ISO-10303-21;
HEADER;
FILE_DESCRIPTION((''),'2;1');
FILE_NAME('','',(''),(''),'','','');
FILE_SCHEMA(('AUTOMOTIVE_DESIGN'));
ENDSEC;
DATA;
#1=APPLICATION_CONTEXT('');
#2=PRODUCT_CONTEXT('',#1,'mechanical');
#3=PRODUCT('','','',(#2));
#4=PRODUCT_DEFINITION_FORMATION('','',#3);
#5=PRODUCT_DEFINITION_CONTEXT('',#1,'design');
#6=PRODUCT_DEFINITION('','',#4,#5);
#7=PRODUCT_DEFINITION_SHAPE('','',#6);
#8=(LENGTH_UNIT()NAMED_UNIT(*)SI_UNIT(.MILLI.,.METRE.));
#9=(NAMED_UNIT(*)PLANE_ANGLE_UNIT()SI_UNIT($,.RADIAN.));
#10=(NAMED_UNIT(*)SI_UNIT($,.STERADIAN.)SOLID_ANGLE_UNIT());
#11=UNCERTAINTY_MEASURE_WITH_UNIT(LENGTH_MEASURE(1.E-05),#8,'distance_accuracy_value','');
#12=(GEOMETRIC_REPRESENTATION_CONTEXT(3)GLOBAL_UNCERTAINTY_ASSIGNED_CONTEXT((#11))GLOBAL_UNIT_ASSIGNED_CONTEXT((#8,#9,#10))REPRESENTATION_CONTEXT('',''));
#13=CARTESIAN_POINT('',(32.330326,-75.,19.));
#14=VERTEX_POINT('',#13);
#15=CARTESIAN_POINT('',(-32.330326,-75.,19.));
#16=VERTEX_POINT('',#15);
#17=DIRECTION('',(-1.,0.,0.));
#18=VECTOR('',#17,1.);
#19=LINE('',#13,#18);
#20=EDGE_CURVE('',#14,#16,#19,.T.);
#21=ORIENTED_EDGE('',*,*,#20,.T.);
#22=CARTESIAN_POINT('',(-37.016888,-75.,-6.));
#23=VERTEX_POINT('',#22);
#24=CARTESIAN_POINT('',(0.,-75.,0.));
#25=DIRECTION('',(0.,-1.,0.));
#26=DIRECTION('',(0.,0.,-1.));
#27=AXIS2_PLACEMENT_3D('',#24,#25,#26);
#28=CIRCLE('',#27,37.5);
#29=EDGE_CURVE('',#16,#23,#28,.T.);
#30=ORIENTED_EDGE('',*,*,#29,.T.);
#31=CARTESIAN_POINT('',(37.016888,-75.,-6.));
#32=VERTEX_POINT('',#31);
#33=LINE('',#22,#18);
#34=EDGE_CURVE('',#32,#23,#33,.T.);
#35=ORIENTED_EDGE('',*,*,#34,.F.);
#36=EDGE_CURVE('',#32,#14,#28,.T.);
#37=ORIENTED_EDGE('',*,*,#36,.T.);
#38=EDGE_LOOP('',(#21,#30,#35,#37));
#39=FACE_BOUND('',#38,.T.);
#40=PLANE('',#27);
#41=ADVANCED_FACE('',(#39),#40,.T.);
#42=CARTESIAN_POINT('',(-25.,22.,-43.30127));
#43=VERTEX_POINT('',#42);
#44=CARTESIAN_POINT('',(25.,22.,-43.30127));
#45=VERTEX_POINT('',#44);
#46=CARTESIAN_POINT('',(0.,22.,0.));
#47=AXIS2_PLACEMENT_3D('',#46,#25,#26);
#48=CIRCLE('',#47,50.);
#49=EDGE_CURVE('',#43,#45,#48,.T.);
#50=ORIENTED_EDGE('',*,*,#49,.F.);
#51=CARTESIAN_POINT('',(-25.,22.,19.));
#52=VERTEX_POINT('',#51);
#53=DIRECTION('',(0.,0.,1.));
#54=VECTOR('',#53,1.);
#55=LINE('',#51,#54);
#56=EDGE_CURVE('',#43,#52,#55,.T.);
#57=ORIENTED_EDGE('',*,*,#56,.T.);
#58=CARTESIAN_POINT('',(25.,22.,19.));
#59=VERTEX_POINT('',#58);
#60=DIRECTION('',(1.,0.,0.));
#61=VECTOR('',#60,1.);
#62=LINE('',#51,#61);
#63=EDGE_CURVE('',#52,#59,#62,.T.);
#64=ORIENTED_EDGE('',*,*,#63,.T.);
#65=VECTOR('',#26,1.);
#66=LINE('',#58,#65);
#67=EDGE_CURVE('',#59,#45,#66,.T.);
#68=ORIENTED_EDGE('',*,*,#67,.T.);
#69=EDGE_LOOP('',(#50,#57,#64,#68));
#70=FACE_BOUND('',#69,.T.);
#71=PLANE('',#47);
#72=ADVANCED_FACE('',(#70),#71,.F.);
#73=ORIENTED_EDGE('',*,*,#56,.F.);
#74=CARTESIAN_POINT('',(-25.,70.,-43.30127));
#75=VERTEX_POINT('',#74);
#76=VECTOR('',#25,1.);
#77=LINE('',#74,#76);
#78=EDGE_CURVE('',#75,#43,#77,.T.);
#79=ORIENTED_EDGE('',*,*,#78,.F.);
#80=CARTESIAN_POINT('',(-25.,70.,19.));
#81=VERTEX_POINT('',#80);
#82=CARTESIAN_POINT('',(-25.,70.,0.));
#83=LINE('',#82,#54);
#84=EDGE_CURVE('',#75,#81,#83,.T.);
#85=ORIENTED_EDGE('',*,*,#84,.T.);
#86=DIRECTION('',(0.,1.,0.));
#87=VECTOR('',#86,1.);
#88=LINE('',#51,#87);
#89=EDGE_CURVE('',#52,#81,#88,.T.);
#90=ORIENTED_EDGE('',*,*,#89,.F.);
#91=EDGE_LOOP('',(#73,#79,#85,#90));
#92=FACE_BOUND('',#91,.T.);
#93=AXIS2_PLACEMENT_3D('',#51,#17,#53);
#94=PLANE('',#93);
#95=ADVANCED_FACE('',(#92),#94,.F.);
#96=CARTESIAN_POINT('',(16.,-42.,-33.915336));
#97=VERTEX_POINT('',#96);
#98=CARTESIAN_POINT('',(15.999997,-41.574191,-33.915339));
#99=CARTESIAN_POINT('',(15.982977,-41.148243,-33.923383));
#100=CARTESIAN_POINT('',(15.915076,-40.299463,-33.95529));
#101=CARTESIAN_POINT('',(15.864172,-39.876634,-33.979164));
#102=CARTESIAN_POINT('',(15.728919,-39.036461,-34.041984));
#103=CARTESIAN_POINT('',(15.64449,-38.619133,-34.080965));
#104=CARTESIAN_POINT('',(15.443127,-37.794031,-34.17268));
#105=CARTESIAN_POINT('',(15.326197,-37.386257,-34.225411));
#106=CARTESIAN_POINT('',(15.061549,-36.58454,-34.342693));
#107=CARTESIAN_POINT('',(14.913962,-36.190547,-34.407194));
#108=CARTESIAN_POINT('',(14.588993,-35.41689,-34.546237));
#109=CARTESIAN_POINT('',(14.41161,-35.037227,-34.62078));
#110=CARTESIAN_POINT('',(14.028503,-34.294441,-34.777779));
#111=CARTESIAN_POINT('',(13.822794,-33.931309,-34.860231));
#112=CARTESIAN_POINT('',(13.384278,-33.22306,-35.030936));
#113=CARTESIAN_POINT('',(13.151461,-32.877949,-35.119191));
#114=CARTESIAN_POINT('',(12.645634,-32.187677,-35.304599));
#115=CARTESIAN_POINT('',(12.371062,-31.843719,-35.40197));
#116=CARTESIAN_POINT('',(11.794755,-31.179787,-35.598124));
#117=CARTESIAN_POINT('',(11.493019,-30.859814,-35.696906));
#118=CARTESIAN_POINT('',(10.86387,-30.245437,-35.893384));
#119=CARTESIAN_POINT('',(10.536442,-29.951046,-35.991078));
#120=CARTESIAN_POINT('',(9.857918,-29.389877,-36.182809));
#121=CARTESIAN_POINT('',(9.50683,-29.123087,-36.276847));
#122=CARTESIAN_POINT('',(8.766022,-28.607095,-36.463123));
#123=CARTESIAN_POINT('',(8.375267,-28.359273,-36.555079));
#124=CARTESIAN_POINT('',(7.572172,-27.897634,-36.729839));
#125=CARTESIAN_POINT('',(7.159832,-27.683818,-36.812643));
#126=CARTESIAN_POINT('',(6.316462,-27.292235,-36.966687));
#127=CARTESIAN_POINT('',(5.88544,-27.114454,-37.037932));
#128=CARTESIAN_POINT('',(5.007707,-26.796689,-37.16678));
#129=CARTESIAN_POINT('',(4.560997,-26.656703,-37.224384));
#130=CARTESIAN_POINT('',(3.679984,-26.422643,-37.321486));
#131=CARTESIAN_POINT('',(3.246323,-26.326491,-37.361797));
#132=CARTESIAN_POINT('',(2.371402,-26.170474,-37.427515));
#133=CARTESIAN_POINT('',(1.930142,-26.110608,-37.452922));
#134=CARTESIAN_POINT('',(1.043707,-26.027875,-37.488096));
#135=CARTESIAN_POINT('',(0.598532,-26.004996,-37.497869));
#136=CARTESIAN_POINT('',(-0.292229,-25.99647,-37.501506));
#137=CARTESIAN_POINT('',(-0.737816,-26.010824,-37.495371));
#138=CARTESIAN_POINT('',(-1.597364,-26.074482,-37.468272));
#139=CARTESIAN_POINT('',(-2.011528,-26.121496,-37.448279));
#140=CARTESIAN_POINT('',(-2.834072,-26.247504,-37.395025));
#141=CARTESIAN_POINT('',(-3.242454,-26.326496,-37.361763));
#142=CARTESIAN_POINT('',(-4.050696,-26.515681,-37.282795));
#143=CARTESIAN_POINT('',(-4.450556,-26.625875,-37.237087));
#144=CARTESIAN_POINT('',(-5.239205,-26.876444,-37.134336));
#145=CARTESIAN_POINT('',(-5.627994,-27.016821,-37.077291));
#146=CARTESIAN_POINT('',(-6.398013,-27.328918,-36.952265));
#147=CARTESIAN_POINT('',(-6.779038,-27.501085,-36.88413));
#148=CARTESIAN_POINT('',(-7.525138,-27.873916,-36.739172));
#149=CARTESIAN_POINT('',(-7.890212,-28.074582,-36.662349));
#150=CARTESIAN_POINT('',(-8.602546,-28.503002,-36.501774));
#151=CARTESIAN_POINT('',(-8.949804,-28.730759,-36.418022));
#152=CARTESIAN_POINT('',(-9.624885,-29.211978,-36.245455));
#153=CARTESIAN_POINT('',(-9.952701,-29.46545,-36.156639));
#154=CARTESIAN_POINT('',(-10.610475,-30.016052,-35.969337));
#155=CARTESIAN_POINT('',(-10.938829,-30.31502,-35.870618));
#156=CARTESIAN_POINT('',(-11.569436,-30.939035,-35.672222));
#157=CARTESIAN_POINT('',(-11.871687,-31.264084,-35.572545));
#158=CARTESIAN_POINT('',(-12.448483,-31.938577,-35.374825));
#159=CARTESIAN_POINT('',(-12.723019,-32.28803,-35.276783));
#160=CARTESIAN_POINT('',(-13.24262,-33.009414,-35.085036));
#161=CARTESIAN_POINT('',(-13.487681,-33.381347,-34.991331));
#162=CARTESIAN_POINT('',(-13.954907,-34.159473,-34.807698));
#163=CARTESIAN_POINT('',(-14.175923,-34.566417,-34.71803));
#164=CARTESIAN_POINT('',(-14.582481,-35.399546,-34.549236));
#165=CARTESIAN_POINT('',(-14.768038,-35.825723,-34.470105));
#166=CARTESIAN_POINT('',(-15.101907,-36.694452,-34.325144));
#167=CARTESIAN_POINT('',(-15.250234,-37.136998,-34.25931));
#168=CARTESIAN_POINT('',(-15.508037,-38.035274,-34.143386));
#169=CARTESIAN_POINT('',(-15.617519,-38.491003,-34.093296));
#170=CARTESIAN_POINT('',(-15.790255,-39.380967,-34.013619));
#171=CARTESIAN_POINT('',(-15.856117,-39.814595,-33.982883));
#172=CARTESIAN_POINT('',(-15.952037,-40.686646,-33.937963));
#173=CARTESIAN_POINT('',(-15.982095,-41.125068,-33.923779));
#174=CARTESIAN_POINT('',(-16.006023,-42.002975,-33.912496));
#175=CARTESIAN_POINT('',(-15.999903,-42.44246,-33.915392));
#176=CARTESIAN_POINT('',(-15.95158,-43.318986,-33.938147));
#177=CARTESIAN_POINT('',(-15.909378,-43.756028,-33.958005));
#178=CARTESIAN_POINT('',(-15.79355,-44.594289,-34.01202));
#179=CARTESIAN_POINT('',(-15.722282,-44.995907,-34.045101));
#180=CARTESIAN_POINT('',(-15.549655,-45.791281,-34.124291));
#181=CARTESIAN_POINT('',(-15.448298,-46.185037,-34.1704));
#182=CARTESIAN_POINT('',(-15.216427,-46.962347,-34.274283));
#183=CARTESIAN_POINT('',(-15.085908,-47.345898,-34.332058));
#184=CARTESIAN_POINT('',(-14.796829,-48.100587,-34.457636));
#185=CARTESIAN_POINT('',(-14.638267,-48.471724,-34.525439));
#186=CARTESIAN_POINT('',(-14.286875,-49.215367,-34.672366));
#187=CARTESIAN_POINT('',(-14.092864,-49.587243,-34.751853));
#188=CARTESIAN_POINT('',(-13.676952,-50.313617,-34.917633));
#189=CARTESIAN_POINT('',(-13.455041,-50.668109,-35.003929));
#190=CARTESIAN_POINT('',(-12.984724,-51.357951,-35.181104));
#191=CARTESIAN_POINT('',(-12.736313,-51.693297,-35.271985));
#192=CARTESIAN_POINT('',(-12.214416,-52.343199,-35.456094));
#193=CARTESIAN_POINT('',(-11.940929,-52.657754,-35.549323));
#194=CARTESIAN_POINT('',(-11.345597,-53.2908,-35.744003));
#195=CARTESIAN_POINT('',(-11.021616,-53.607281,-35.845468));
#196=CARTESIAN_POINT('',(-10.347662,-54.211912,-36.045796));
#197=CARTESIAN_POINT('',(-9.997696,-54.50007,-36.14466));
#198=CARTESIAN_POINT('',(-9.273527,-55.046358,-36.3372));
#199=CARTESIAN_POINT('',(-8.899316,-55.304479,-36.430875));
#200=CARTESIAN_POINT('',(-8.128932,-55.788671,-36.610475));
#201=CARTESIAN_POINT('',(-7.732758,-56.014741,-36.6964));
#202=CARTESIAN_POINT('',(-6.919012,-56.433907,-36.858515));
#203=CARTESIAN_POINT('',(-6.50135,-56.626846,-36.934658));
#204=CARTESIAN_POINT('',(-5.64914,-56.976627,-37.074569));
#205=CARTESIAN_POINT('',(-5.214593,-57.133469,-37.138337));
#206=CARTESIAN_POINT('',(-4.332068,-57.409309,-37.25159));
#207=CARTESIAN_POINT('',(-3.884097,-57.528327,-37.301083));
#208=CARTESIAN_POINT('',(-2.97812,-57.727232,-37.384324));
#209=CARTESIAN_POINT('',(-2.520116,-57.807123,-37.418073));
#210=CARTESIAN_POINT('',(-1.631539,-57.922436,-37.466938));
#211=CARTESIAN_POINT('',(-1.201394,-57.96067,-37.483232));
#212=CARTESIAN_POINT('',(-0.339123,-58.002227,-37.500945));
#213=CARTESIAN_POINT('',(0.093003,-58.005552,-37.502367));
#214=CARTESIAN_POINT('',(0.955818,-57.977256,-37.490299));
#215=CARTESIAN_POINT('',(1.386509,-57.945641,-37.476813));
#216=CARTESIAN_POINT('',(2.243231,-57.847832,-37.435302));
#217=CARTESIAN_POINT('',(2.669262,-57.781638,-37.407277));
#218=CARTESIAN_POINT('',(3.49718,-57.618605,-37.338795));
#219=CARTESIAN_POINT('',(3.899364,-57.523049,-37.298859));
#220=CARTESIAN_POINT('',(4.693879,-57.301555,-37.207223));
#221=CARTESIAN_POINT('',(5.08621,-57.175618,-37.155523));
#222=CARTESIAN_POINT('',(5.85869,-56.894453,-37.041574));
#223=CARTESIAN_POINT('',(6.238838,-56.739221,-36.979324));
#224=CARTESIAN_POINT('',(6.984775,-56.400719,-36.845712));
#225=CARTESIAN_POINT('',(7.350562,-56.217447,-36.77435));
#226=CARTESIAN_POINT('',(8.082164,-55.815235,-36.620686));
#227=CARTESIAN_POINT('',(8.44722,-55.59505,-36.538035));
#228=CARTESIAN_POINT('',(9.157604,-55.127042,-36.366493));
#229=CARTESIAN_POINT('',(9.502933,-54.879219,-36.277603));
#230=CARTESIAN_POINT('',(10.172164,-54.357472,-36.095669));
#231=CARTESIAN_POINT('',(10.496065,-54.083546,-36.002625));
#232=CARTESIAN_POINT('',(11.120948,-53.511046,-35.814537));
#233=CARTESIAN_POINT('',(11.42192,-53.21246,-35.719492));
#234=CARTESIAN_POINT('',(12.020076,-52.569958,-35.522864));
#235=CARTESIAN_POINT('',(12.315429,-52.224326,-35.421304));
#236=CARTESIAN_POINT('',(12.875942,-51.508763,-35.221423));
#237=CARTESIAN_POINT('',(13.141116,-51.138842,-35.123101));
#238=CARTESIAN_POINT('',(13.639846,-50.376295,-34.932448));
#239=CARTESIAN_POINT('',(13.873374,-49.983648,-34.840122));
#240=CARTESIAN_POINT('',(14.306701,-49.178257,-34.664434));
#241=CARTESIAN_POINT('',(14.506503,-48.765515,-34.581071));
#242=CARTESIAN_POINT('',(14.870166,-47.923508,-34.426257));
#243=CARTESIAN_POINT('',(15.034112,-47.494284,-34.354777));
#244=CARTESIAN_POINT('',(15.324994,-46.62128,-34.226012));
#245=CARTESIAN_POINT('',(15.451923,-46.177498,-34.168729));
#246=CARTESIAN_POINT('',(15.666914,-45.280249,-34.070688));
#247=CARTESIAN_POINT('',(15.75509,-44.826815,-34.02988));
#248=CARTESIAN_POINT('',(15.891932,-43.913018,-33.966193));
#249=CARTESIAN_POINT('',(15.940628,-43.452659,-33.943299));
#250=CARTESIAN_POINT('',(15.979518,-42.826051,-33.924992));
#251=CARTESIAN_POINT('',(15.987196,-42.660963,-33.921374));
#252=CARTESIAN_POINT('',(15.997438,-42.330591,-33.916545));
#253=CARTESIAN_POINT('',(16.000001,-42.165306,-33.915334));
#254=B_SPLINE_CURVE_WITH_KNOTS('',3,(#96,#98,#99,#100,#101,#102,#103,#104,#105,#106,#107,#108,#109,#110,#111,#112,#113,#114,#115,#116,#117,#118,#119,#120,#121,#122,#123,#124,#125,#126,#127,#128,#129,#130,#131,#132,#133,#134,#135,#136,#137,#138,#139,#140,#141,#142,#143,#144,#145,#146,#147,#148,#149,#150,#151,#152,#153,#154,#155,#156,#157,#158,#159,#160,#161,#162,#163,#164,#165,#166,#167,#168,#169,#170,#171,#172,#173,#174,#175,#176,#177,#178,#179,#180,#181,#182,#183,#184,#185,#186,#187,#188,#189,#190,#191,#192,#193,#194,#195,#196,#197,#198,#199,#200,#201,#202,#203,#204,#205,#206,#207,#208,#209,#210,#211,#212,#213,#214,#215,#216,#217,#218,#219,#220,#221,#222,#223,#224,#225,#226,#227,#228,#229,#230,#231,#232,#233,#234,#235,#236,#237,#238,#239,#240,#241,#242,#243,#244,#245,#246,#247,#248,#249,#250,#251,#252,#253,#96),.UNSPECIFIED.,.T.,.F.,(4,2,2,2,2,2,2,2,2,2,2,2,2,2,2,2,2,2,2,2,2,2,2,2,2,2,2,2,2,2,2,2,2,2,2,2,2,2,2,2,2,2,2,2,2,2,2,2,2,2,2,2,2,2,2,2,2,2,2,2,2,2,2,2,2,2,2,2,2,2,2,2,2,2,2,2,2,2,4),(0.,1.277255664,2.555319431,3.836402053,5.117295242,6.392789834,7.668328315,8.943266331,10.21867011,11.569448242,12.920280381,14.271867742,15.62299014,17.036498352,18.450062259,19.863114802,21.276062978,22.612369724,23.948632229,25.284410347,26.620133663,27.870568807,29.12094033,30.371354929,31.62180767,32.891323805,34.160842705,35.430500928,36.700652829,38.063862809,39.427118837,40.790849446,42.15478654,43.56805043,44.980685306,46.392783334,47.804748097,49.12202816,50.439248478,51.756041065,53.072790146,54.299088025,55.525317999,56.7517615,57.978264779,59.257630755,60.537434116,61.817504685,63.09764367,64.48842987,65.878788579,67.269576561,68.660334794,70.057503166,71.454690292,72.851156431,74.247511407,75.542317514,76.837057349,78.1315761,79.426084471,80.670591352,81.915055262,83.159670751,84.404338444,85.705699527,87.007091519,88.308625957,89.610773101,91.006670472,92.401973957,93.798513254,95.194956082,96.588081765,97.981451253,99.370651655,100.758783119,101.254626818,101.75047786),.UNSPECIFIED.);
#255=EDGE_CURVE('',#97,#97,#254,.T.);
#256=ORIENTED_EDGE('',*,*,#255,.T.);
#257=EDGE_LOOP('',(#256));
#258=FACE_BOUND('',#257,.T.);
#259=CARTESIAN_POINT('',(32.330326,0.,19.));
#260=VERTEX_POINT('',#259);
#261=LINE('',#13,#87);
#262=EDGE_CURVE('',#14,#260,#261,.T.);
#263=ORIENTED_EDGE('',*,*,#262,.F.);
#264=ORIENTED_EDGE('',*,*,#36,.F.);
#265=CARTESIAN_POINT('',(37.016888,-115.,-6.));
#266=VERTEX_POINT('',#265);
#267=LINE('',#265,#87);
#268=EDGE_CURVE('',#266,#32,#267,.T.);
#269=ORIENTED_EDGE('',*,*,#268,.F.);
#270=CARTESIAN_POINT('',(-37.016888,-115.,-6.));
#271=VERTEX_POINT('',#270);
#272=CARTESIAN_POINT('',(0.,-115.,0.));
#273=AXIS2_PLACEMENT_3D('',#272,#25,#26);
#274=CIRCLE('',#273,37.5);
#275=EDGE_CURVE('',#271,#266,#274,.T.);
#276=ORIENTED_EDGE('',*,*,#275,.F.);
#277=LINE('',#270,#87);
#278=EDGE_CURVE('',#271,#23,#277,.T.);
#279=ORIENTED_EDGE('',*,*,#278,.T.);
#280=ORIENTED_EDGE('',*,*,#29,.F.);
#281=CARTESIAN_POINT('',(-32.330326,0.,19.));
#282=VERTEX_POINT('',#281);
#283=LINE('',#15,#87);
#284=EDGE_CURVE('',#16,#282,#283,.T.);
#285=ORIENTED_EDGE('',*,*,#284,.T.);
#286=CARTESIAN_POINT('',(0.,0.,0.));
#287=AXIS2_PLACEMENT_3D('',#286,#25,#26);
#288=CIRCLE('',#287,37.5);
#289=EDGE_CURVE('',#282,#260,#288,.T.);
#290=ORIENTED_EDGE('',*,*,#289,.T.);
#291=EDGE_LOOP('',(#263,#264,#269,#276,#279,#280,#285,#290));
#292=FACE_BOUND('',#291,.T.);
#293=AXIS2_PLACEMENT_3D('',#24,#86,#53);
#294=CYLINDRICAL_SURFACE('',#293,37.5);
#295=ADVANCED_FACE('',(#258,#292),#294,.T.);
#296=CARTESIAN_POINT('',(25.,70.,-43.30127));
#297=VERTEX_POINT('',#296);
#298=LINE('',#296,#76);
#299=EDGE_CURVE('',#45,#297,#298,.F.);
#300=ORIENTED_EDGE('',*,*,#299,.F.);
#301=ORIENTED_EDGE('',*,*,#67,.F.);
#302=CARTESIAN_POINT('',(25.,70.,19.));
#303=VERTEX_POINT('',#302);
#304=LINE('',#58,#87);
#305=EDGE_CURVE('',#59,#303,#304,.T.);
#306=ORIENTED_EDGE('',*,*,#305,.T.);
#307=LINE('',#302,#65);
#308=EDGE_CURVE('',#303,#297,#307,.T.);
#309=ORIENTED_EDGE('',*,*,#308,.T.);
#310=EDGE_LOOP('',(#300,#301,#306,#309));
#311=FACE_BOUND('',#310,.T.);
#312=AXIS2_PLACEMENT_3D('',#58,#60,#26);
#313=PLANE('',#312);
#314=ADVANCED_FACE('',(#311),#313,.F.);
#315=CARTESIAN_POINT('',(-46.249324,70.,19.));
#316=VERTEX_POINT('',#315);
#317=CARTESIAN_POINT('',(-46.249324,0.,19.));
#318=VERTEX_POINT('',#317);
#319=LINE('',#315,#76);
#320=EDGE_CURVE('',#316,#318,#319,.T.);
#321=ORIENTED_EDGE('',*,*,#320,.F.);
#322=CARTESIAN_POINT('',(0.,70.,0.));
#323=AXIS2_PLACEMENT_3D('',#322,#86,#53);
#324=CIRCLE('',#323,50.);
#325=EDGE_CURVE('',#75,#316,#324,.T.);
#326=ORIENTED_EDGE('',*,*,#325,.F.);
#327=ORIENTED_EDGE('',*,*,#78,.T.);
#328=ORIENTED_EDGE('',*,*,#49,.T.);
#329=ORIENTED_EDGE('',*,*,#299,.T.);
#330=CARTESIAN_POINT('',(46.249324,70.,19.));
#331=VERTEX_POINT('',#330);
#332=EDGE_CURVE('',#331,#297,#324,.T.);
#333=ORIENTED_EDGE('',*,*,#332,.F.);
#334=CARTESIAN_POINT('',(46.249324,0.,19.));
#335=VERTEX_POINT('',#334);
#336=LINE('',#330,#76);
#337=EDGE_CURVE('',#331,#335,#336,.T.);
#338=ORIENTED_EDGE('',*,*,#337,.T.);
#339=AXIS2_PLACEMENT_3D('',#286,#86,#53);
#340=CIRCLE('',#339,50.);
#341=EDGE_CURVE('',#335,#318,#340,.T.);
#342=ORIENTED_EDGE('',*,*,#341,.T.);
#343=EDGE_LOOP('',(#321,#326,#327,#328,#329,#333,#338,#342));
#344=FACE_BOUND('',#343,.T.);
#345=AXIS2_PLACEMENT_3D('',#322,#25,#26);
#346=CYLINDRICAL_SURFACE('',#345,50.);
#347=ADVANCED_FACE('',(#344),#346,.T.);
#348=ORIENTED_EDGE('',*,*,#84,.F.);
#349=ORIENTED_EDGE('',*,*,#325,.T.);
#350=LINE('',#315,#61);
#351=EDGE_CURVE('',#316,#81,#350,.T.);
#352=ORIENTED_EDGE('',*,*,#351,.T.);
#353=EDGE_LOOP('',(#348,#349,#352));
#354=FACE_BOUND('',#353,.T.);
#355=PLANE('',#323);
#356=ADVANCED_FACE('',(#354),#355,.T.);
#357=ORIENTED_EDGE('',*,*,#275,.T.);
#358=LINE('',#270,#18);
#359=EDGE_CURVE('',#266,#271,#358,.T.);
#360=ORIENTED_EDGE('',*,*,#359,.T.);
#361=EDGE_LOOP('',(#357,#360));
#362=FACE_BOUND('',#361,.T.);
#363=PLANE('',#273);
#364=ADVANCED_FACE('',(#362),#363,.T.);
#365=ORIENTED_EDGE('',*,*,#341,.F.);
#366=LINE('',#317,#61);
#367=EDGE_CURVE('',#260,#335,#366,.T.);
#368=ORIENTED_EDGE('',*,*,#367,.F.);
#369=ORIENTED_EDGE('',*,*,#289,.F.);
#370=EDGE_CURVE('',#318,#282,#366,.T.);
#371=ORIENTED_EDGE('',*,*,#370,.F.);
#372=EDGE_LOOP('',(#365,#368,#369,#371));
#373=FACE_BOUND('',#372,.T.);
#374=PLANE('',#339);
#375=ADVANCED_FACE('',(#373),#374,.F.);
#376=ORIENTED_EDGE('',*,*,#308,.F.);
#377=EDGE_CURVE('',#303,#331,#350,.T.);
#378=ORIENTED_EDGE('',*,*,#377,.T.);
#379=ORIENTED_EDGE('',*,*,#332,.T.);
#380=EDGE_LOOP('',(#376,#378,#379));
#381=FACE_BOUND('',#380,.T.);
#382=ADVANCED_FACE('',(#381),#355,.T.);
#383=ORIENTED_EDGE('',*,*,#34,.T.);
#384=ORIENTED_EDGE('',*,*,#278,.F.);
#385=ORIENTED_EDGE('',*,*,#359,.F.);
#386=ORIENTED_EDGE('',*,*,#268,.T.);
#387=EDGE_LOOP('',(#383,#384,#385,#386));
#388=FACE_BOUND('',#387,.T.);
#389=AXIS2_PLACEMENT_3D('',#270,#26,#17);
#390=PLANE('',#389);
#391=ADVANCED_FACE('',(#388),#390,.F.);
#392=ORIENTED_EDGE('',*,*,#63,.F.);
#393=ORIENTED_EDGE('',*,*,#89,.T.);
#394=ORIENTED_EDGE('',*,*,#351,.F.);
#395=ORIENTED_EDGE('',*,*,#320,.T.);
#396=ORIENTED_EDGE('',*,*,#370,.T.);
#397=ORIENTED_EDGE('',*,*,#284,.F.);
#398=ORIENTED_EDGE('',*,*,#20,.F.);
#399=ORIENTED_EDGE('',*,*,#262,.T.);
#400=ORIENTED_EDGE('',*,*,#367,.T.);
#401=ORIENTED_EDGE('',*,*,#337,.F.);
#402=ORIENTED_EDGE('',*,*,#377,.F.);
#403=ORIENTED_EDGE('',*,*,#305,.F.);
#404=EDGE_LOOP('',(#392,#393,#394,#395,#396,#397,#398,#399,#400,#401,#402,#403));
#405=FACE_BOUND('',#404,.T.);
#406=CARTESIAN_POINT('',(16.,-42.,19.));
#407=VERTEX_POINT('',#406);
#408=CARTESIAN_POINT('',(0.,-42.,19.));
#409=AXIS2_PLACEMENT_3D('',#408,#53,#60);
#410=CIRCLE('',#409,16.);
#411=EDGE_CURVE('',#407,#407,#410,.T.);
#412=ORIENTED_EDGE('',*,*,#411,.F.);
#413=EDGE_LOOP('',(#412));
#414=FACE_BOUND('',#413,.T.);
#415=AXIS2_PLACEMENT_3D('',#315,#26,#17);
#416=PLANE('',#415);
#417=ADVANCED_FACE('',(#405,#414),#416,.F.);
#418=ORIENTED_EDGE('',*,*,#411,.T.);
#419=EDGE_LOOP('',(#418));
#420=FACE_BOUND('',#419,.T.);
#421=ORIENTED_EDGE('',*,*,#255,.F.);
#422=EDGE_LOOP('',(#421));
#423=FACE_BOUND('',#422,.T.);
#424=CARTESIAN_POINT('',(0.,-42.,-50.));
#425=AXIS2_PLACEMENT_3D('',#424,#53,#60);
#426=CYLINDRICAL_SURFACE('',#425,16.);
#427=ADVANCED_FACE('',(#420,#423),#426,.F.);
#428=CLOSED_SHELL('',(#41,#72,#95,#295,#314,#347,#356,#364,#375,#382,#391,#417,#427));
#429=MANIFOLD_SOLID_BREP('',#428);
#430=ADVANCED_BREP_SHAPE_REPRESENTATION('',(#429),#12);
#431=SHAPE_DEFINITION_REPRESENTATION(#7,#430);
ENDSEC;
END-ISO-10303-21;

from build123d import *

# Parameters (mm, degrees)
BOSS_EXTRUDE1_DEPTH = 70
SKETCH2_W           = 50
SKETCH2_H           = 74.667138355
CUT_EXTRUDE1_DEPTH  = 48
BOSS_EXTRUDE2_DEPTH = 75
BOSS_EXTRUDE3_DEPTH = 40
SKETCH5_R           = 16
CUT_EXTRUDE2_DEPTH  = 70


with BuildPart() as part:
    # Sketch1 → Boss-Extrude1 (new body)
    with BuildSketch(Plane(origin=(0, 0, 0), x_dir=(1, 0, 0), z_dir=(0, 1, 0))):
        with BuildLine():
            Line((-46.249324319, -19), (46.249324319, -19))
            ThreePointArc((46.249324319, -19), (0, 50), (-46.249324319, -19))
        make_face()
    extrude(amount=BOSS_EXTRUDE1_DEPTH)

    # Sketch2 → Cut-Extrude1 (cut)
    with BuildSketch(Plane(origin=(0, 70, 0), x_dir=(1, 0, 0), z_dir=(0, 1, 0))):
        with Locations((0, 18.333569178)):
            Rectangle(SKETCH2_W, SKETCH2_H)
    extrude(amount=-CUT_EXTRUDE1_DEPTH, mode=Mode.SUBTRACT)

    # Sketch3 → Boss-Extrude2 (add)
    with BuildSketch(Plane.XZ):
        with BuildLine():
            Line((32.330326321, 19), (-32.330326321, 19))
            ThreePointArc((-32.330326321, 19), (0, -37.5), (32.330326321, 19))
        make_face()
    extrude(amount=BOSS_EXTRUDE2_DEPTH)

    # Sketch4 → Boss-Extrude3 (add)
    with BuildSketch(Plane.XZ.offset(75)):
        with BuildLine():
            Line((-37.016888038, -6), (37.016888038, -6))
            ThreePointArc((37.016888038, -6), (0, -37.5), (-37.016888038, -6))
        make_face()
    extrude(amount=BOSS_EXTRUDE3_DEPTH)

    # Sketch5 → Cut-Extrude2 (cut, through all)
    with BuildSketch(Plane.XY.offset(19)):
        with Locations((0, -42)):
            Circle(SKETCH5_R)
    extrude(amount=-CUT_EXTRUDE2_DEPTH, mode=Mode.SUBTRACT)


solid = part.part
